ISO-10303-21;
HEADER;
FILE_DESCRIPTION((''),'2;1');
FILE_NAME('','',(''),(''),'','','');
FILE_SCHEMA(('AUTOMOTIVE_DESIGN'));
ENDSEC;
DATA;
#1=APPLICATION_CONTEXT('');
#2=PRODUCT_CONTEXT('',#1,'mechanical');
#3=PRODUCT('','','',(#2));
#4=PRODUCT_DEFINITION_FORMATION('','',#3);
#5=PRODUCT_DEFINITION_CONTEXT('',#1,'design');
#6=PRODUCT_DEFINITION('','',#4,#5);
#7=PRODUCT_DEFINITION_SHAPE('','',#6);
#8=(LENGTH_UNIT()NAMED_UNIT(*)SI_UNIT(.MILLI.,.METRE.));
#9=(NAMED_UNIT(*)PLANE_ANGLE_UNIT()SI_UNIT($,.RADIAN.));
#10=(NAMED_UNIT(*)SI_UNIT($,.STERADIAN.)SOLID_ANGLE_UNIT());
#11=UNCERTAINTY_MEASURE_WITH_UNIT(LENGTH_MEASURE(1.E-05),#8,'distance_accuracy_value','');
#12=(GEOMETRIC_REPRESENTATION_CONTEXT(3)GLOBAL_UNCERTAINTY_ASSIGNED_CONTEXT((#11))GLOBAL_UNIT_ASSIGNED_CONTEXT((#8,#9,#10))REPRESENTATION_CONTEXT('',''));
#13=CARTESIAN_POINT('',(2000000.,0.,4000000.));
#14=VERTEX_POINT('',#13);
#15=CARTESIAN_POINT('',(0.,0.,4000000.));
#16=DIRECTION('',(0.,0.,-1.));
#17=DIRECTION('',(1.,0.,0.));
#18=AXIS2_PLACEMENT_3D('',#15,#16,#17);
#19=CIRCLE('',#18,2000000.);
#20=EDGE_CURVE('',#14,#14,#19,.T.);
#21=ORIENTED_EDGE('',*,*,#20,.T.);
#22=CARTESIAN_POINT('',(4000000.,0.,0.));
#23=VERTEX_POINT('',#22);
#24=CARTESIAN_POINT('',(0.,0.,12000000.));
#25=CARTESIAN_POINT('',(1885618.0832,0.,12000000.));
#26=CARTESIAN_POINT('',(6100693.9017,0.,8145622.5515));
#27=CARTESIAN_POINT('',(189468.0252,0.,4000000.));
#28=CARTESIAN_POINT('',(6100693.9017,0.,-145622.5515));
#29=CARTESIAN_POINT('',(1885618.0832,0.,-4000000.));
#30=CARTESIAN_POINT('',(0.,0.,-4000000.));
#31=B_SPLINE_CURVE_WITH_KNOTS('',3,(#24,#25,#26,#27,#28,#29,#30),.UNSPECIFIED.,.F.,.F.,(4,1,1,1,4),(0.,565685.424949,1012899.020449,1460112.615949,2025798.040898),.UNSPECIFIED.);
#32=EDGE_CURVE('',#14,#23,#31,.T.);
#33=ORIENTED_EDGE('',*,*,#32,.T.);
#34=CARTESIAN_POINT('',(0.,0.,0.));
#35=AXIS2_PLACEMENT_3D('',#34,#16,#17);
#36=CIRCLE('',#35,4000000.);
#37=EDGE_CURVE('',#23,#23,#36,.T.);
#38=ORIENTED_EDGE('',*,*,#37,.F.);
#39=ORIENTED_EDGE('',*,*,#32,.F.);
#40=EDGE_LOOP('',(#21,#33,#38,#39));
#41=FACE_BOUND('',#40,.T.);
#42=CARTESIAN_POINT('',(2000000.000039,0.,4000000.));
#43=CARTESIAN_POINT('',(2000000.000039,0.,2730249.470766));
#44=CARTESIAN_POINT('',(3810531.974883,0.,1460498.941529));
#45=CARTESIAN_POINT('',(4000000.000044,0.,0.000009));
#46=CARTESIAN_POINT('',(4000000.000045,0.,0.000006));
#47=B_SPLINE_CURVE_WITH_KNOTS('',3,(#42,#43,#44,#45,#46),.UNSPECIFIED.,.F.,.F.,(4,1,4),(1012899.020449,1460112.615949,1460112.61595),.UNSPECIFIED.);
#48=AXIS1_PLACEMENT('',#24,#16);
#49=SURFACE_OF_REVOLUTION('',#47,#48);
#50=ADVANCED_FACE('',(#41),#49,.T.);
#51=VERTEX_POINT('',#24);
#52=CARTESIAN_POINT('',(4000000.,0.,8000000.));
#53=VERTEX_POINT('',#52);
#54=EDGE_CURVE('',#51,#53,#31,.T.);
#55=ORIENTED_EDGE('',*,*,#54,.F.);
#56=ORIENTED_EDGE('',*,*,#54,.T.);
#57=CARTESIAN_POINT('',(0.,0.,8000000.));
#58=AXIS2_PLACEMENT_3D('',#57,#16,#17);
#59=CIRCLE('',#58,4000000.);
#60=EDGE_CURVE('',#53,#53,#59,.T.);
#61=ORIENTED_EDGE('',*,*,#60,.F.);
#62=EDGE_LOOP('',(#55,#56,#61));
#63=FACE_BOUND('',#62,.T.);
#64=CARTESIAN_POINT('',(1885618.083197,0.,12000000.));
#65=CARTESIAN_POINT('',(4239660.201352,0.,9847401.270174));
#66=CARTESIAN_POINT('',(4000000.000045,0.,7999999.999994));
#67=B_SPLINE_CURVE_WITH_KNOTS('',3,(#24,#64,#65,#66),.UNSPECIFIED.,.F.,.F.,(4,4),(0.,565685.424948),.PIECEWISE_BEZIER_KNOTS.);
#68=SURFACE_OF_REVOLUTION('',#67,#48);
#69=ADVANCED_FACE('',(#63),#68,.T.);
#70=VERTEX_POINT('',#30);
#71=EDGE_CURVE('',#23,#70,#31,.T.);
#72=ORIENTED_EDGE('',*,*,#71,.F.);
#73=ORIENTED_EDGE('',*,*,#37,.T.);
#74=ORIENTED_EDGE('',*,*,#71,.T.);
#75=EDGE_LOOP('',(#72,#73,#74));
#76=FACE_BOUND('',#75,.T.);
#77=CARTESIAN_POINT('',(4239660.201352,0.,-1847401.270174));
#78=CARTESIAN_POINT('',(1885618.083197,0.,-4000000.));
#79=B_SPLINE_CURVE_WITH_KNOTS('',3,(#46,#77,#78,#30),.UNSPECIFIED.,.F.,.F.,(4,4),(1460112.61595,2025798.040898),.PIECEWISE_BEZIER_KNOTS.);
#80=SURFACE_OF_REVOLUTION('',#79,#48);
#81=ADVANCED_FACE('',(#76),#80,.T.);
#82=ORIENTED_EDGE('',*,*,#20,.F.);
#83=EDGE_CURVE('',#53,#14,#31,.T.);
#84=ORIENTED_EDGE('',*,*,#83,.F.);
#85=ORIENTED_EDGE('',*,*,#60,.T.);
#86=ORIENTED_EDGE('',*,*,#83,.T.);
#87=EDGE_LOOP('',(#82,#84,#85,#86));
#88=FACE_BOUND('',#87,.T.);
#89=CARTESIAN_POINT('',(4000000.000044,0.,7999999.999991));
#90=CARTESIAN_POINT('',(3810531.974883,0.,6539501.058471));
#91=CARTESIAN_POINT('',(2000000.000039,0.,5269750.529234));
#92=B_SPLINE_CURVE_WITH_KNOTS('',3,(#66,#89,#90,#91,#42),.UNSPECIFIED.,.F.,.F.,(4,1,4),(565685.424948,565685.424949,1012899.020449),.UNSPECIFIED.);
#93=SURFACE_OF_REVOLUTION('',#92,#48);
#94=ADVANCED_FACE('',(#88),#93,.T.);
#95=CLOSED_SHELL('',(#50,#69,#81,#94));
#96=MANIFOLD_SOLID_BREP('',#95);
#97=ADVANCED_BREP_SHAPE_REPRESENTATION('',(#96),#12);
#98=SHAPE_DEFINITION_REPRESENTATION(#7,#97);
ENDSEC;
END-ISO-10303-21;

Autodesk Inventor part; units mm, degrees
ref_plane "YZ Plane" through (0, 0, 0) normal (1, 0, 0) x (0, 1, 0)
sketch "Sketch1" plane through (0, 0, 0) normal (0, 0, 1) x (1, 0, 0)
  circle A0 centre (0, 0) radius 4000000
  dimension "d0" = 8000000
ref_plane "Work Plane1" through (0, 0, 4000000) normal (0, 0, 1) x (1, 0, 0)
sketch "Sketch2" plane through (0, 0, 4000000) normal (0, 0, 1) x (1, 0, 0)
  circle A0 centre (0, 0) radius 2000000
  dimension "d2" = 4000000
ref_plane "Work Plane2" through (0, 0, 8000000) normal (0, 0, 1) x (1, 0, 0)
sketch "Sketch3" plane through (0, 0, 8000000) normal (0, 0, 1) x (1, 0, 0)
  circle A0 centre (0, 0) radius 4000000
  dimension "d4" = 8000000
ref_plane "Work Plane3" through (0, 0, 12000000) normal (0, 0, 1) x (1, 0, 0)
sketch "Sketch4" plane through (0, 0, 12000000) normal (0, 0, 1) x (1, 0, 0)
  point P0 (0, 0)
ref_plane "Work Plane4" through (0, 0, -4000000) normal (0, 0, 1) x (1, 0, 0)
sketch "Sketch5" plane through (0, 0, -4000000) normal (0, 0, 1) x (1, 0, 0)
  point P0 (0, 0)
sketch "Sketch6" plane through (0, 0, 0) normal (0, 1, 0) x (-1, 0, 0)
  line L0 (4000000, 8000000) -> (-4000000, 8000000) projected
  line L1 (2000000, 4000000) -> (-2000000, 4000000) projected
  line L2 (4000000, 0) -> (-4000000, 0) projected
  spline S0 degree 3 poles (0, 12000000) (-1885618.0832, 12000000) (-6100693.9017, 8145622.5515) (-189468.0252, 4000000) (-6100693.9017, -145622.5515) (-1885618.0832, -4000000) (0, -4000000) knots 0 0 0 0 565685.424949 1012899.020449 1460112.615949 2025798.040898 2025798.040898 2025798.040898 2025798.040898
  line L3 (0, 12000000) -> (100000, 12000000) construction
  line L4 (0, -4000000) -> (100000, -4000000) construction
  line L5 (0, 12000000) -> (0, -4000000)
  dimension "d10" = 100000
  dimension "d11" = 100000
revolve "Revolution1" add sketch "Sketch6" angle 360 about axis through (0, 0, 12000000) along (0, 0, -1)
properties part number "Haleys Comet" material "Water"
